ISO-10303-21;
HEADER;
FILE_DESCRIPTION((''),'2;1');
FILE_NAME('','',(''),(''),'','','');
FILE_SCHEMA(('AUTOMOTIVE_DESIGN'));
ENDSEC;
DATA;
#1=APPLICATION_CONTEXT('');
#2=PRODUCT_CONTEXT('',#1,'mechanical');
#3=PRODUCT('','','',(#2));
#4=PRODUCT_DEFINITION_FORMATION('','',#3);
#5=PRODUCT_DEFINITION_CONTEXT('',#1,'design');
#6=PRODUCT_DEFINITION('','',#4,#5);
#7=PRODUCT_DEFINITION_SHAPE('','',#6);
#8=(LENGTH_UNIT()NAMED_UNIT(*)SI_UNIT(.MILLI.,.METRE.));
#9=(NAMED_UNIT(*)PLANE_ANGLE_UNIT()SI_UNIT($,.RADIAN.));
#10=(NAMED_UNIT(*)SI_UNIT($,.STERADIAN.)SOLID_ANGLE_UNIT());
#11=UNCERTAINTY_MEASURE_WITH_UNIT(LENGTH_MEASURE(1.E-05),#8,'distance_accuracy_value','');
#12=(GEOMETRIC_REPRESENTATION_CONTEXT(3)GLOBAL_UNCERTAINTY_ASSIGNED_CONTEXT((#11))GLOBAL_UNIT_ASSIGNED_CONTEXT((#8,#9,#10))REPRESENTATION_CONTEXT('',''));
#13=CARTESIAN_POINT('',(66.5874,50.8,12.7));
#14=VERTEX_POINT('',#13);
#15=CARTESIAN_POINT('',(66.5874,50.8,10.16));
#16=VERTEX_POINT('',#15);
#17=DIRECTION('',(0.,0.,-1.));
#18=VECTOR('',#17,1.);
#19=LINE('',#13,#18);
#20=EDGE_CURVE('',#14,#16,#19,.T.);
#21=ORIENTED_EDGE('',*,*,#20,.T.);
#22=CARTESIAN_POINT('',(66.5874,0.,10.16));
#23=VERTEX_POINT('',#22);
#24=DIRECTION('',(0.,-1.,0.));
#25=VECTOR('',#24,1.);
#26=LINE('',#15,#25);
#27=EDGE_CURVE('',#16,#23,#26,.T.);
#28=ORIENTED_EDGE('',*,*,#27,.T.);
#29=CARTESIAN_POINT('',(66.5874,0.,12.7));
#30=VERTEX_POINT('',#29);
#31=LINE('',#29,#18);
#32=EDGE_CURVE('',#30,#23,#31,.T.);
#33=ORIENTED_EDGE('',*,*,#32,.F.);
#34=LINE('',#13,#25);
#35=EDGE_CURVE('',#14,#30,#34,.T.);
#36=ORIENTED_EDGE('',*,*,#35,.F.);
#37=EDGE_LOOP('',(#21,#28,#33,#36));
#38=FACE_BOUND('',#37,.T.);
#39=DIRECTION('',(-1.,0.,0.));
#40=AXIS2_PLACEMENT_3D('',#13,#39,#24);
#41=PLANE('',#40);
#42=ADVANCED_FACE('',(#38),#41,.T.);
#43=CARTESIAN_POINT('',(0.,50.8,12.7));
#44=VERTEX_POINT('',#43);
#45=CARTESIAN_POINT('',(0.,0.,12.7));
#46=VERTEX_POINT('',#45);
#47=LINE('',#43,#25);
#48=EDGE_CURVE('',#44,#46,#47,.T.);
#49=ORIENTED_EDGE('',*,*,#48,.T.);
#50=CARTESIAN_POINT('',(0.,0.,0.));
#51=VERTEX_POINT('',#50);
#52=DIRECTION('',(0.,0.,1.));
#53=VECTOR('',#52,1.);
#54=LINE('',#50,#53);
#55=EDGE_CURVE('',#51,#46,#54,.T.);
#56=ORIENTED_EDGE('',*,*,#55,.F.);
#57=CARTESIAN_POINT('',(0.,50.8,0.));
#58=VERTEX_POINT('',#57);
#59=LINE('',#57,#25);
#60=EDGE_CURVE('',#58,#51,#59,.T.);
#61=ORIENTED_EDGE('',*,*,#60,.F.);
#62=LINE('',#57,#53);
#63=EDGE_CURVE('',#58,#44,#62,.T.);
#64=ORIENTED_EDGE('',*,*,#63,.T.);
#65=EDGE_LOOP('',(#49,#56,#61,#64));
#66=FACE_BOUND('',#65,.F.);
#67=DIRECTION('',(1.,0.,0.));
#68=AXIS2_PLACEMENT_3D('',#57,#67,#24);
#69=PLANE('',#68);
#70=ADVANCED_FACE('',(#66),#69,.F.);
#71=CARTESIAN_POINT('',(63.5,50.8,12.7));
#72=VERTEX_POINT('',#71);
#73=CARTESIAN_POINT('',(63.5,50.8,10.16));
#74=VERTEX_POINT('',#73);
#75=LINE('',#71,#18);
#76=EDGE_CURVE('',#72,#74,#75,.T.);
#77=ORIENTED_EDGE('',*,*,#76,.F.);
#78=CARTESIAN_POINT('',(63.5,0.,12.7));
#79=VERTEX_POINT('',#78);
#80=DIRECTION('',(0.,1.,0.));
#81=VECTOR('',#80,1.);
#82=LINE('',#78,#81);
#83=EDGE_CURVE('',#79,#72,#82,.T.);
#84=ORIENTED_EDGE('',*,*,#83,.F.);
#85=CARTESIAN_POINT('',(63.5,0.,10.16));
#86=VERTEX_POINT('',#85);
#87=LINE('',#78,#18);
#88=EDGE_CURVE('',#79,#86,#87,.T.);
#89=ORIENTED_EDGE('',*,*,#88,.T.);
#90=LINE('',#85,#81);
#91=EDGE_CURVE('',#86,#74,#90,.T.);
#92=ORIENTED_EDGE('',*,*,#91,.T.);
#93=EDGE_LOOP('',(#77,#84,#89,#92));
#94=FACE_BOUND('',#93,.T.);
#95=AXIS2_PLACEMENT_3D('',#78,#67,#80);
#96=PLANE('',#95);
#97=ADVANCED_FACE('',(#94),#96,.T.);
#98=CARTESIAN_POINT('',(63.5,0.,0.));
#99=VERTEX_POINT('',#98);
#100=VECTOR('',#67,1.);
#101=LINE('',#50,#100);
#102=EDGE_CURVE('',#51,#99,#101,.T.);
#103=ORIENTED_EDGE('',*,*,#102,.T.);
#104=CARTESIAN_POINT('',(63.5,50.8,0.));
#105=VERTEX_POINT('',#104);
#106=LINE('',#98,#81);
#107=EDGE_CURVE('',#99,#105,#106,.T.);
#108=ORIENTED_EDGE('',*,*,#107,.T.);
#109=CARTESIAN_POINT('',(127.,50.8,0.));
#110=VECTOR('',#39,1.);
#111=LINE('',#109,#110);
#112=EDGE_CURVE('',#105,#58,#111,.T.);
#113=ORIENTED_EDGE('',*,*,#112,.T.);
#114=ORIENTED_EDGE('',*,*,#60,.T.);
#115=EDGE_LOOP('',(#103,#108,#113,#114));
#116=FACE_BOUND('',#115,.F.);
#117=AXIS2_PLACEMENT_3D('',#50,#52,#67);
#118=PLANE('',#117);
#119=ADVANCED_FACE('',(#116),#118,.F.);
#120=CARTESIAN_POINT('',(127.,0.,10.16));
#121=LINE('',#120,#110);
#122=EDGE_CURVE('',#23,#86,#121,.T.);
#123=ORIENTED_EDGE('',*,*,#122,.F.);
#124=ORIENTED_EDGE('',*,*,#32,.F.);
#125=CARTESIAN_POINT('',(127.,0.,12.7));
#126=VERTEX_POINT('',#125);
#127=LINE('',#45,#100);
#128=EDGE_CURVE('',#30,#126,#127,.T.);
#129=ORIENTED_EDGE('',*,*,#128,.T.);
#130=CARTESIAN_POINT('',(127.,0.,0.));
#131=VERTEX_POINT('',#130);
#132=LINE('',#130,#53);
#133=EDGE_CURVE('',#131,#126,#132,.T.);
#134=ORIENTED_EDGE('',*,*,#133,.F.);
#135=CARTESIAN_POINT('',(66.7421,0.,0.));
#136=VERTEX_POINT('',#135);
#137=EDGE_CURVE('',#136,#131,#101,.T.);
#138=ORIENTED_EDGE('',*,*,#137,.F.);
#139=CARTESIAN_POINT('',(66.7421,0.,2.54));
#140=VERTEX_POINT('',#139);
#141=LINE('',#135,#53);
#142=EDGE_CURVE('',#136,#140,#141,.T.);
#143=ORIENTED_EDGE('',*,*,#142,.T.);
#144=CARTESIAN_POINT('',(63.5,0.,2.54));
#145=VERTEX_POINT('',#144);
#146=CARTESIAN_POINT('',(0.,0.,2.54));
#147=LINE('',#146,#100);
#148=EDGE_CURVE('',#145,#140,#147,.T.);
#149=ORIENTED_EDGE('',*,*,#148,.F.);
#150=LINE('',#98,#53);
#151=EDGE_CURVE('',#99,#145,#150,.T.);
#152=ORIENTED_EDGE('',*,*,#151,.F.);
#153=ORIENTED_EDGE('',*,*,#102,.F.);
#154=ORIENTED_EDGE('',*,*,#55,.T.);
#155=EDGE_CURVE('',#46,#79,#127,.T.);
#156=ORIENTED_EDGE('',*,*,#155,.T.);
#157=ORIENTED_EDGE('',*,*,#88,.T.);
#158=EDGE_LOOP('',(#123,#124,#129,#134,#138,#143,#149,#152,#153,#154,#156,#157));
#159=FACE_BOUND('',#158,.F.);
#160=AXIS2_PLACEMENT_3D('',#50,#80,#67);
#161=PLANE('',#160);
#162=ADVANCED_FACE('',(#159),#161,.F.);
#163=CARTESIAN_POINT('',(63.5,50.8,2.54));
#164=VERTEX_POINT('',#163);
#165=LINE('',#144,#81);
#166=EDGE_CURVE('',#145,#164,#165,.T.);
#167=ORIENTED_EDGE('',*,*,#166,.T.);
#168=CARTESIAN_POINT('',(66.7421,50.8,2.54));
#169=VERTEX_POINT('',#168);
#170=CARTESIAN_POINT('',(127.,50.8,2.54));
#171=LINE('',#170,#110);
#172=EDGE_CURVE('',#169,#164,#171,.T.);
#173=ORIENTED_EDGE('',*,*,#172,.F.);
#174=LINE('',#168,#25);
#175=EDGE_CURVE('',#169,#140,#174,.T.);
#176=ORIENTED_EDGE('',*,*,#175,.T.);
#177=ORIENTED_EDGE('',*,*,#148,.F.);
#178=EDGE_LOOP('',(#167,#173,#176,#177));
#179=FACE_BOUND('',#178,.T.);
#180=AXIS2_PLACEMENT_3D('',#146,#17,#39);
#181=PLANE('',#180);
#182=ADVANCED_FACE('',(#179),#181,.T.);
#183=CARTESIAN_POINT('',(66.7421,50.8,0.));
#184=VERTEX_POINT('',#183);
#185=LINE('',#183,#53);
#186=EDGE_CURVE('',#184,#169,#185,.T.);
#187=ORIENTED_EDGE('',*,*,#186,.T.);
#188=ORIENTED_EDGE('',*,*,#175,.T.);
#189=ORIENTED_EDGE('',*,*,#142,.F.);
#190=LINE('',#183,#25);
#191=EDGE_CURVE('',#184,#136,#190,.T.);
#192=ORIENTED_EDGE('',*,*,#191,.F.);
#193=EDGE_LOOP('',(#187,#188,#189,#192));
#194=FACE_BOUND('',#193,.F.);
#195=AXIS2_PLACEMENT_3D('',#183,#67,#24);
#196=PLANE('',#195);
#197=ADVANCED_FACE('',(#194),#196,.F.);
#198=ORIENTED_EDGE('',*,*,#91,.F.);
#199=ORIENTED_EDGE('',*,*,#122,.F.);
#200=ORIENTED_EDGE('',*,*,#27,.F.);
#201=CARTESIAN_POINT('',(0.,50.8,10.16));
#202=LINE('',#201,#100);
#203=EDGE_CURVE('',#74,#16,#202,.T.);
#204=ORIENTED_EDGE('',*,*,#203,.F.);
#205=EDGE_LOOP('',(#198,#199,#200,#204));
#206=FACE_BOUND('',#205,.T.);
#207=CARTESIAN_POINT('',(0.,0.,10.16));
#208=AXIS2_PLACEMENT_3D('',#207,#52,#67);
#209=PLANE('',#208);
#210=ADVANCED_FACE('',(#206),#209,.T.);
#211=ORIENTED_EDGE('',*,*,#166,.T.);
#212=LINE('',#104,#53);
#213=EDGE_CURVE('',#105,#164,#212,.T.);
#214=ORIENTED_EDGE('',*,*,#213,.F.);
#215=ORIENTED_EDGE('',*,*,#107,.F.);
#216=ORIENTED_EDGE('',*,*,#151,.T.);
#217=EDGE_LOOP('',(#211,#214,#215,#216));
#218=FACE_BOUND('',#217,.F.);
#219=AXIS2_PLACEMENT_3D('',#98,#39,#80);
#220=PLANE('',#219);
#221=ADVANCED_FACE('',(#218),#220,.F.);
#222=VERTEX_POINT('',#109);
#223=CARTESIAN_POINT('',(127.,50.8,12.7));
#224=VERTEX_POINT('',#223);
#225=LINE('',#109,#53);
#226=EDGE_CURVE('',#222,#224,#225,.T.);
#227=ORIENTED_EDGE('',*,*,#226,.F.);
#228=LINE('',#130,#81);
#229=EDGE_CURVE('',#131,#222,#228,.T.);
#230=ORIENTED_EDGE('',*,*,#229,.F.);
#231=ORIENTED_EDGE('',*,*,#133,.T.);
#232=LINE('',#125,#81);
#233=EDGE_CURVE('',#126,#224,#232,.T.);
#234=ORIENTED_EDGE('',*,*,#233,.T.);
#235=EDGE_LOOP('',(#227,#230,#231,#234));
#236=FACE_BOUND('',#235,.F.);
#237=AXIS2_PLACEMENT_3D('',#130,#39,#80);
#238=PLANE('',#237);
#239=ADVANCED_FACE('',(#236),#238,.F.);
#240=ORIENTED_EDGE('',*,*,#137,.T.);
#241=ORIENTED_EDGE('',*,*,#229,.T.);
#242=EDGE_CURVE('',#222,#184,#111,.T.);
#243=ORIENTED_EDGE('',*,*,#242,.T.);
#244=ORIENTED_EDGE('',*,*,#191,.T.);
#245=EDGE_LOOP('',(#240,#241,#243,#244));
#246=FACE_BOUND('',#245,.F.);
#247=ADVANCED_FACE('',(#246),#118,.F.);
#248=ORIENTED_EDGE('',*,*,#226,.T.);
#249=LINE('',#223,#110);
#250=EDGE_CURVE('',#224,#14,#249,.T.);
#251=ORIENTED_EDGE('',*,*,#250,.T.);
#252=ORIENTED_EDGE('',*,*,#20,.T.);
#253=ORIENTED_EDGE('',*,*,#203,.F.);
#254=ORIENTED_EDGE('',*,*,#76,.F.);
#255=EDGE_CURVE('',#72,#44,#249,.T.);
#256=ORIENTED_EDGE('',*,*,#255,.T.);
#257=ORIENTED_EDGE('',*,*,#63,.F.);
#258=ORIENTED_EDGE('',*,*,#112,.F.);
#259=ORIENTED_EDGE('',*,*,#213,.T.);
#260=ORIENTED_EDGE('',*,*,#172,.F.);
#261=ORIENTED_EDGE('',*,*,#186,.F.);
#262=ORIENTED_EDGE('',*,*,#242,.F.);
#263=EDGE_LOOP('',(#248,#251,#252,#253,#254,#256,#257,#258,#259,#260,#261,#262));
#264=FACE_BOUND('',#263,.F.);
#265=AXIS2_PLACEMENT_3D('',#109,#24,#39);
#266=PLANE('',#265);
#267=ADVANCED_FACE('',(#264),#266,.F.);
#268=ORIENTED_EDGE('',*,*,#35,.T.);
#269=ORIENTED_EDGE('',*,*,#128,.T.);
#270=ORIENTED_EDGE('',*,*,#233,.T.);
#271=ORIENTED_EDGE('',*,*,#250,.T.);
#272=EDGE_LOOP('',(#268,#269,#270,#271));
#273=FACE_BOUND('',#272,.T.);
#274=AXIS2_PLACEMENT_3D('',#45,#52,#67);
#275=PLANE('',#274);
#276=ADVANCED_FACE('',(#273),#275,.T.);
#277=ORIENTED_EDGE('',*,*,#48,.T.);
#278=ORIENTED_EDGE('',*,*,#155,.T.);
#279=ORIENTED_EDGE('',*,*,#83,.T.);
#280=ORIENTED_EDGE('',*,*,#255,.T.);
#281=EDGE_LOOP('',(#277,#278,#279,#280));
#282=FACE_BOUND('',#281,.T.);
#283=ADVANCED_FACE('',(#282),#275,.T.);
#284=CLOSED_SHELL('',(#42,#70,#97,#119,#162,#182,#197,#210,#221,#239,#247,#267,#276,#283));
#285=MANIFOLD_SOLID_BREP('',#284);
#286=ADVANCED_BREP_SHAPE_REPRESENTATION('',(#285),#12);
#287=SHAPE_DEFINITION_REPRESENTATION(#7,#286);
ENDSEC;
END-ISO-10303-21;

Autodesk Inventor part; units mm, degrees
ref_plane "YZ Plane" through (0, 0, 0) normal (1, 0, 0) x (0, 1, 0)
ref_plane "XZ Plane" through (0, 0, 0) normal (0, 1, 0) x (-1, 0, 0)
ref_plane "XY Plane" through (0, 0, 0) normal (0, 0, 1) x (1, 0, 0)
sketch "Sketch1" plane through (0, 0, 0) normal (0, 0, 1) x (1, 0, 0)
  line L0 (0, 0) -> (127, 0)
  line L1 (127, 0) -> (127, 50.8)
  line L2 (127, 50.8) -> (0, 50.8)
  line L3 (0, 50.8) -> (0, 0)
  dimension "d0" = 127
  dimension "d1" = 50.8
extrude "Extrusion1" add sketch "Sketch1" along normal blind 12.7
sketch "Sketch2" plane through (0, 0, 12.7) normal (0, 0, 1) x (1, 0, 0)
  line L0 (127, 0) -> (0, 0) projected
  line L1 (0, 50.8) -> (127, 50.8) projected
  line L2 (63.5, 50.8) -> (66.5874, 50.8)
  line L3 (66.5874, 50.8) -> (66.5874, 0)
  line L4 (66.5874, 0) -> (63.5, 0)
  line L5 (63.5, 0) -> (63.5, 50.8)
extrude "Extrusion2" cut sketch "Sketch2" against normal blind 2.54
sketch "Sketch3" plane through (0, 0, 0) normal (0, 0, -1) x (-1, 0, 0)
  line L0 (0, 0) -> (-127, 0) projected
  line L1 (-127, 50.8) -> (0, 50.8) projected
  line L2 (-63.5, 50.8) -> (-66.7421, 50.8)
  line L3 (-66.7421, 50.8) -> (-66.7421, 0)
  line L4 (-66.7421, 0) -> (-63.5, 0)
  line L5 (-63.5, 0) -> (-63.5, 50.8)
extrude "Extrusion3" cut sketch "Sketch3" against normal blind 2.54
properties part number "Magnet"
